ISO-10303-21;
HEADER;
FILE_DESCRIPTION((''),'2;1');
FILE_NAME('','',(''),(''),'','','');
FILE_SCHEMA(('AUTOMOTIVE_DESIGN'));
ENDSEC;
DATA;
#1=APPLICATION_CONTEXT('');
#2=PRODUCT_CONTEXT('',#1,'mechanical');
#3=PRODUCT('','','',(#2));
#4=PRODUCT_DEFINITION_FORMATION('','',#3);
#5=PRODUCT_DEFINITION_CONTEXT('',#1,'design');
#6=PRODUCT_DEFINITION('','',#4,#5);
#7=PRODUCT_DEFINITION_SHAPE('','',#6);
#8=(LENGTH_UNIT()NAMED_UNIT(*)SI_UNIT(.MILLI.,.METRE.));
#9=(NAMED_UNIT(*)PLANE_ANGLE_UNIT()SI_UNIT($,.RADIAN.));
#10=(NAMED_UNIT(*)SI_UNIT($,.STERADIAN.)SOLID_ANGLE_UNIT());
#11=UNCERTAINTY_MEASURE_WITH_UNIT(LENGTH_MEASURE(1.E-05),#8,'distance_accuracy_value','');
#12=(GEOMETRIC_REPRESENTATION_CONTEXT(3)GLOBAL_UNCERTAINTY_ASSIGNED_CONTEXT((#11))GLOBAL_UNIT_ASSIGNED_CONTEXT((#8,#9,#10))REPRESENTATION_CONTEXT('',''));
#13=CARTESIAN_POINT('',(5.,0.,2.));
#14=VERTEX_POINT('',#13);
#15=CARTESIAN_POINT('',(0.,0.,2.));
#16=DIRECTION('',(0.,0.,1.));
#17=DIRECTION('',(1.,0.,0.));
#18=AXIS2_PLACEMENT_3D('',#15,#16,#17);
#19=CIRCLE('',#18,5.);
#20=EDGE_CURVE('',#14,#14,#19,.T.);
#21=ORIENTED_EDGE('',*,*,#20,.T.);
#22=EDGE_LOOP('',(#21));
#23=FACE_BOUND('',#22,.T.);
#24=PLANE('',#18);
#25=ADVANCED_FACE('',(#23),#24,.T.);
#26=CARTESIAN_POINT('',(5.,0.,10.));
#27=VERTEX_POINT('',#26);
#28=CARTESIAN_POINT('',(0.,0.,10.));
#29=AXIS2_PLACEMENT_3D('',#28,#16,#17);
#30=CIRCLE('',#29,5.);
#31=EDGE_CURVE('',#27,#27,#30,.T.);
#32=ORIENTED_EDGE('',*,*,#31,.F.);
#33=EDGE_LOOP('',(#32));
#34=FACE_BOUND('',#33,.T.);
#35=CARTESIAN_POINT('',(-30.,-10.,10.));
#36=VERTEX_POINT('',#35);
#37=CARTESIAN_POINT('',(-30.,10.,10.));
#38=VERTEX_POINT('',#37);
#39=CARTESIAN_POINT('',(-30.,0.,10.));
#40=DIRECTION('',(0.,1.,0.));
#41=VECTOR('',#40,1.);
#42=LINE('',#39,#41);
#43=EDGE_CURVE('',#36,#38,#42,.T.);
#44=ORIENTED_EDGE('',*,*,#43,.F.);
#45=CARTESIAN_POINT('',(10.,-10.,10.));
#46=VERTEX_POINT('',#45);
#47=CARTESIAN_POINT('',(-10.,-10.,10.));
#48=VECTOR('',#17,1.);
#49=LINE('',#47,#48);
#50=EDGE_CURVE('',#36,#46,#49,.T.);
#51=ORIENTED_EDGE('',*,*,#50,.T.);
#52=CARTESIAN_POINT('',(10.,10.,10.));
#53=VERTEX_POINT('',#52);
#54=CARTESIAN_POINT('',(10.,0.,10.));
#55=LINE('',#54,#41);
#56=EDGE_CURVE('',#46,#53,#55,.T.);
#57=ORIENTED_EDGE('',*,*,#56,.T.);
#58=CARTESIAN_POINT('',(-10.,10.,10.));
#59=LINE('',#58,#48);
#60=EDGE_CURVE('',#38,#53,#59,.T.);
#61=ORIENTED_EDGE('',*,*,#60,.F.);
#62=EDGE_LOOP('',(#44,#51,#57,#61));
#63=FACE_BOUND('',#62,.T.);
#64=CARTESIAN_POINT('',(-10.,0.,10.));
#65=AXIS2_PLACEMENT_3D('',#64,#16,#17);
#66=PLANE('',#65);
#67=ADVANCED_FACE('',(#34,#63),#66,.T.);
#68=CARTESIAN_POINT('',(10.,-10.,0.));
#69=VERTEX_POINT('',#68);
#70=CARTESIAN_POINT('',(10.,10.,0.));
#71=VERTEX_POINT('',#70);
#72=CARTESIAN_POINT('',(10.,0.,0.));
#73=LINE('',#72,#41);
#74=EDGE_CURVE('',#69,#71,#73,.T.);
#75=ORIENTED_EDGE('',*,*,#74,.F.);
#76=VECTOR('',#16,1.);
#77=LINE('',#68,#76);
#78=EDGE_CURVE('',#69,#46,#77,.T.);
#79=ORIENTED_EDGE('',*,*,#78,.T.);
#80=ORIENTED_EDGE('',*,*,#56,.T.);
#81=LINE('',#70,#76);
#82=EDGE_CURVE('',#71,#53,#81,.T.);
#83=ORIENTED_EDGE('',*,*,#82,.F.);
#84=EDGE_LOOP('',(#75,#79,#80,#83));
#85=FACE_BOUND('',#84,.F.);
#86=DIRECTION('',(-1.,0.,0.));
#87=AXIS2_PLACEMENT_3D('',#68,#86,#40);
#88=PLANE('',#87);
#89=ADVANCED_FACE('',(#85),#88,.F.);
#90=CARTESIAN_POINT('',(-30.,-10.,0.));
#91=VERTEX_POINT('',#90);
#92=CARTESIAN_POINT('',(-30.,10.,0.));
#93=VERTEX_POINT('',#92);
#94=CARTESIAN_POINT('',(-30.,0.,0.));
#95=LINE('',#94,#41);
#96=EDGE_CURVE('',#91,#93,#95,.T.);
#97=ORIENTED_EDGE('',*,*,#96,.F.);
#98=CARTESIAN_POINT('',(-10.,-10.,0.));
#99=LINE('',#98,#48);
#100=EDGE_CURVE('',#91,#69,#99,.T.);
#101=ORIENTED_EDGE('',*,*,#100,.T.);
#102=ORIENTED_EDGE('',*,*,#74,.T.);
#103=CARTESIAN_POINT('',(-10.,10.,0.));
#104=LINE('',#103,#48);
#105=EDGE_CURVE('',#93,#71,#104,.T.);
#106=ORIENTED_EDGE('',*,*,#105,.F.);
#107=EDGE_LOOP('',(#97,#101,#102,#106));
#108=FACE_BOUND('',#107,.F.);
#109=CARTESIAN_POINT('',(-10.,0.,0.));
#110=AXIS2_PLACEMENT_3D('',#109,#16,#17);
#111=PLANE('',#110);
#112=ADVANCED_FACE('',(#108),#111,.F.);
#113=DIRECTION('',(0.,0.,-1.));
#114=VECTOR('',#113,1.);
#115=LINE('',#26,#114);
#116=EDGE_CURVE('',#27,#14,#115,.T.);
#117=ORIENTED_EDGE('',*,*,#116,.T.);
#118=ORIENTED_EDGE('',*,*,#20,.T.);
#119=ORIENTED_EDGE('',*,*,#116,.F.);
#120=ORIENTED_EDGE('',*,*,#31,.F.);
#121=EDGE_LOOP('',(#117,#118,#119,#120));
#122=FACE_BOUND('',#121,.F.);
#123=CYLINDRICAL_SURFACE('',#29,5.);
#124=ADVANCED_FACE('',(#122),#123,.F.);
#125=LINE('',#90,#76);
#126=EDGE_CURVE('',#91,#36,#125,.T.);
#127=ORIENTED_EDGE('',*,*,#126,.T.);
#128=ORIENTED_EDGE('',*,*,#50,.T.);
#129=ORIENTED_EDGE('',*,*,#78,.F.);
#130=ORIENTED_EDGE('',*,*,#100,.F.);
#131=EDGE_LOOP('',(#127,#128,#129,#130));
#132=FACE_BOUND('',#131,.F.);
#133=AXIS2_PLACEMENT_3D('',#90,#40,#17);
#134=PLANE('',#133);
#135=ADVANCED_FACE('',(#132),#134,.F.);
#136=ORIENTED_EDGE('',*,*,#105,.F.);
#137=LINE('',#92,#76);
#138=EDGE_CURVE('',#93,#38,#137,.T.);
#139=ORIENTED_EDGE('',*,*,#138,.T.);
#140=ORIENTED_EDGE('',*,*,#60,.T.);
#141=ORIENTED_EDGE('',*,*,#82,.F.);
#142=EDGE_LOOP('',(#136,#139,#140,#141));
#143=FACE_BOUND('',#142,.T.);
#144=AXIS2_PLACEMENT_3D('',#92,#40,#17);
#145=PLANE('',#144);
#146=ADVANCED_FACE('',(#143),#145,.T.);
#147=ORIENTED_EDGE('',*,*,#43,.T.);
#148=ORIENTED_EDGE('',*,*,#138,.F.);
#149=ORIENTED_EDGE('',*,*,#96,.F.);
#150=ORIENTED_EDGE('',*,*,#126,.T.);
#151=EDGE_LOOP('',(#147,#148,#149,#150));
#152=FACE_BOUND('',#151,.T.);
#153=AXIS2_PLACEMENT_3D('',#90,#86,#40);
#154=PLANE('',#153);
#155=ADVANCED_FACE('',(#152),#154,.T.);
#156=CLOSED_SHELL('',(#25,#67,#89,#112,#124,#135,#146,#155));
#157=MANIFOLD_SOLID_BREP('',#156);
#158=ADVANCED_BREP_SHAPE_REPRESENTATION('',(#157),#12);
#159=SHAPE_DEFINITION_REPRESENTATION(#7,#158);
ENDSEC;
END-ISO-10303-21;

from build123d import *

# Parameters (mm, degrees)
F0_W     = 40
F0_H     = 20
F1_DEPTH = 10
F2_R     = 5
F3_DEPTH = 8


with BuildPart() as f1:
    # F0 (on Top) → F1 (new body)
    with BuildSketch(Plane.XY):
        with Locations((-10, 0)):
            Rectangle(F0_W, F0_H)
    extrude(amount=F1_DEPTH)

    # F2 (on face) → F3 (cut)
    with BuildSketch(Plane.XY.offset(10)):
        Circle(F2_R)
    extrude(amount=-F3_DEPTH, mode=Mode.SUBTRACT)


solid = f1.part
